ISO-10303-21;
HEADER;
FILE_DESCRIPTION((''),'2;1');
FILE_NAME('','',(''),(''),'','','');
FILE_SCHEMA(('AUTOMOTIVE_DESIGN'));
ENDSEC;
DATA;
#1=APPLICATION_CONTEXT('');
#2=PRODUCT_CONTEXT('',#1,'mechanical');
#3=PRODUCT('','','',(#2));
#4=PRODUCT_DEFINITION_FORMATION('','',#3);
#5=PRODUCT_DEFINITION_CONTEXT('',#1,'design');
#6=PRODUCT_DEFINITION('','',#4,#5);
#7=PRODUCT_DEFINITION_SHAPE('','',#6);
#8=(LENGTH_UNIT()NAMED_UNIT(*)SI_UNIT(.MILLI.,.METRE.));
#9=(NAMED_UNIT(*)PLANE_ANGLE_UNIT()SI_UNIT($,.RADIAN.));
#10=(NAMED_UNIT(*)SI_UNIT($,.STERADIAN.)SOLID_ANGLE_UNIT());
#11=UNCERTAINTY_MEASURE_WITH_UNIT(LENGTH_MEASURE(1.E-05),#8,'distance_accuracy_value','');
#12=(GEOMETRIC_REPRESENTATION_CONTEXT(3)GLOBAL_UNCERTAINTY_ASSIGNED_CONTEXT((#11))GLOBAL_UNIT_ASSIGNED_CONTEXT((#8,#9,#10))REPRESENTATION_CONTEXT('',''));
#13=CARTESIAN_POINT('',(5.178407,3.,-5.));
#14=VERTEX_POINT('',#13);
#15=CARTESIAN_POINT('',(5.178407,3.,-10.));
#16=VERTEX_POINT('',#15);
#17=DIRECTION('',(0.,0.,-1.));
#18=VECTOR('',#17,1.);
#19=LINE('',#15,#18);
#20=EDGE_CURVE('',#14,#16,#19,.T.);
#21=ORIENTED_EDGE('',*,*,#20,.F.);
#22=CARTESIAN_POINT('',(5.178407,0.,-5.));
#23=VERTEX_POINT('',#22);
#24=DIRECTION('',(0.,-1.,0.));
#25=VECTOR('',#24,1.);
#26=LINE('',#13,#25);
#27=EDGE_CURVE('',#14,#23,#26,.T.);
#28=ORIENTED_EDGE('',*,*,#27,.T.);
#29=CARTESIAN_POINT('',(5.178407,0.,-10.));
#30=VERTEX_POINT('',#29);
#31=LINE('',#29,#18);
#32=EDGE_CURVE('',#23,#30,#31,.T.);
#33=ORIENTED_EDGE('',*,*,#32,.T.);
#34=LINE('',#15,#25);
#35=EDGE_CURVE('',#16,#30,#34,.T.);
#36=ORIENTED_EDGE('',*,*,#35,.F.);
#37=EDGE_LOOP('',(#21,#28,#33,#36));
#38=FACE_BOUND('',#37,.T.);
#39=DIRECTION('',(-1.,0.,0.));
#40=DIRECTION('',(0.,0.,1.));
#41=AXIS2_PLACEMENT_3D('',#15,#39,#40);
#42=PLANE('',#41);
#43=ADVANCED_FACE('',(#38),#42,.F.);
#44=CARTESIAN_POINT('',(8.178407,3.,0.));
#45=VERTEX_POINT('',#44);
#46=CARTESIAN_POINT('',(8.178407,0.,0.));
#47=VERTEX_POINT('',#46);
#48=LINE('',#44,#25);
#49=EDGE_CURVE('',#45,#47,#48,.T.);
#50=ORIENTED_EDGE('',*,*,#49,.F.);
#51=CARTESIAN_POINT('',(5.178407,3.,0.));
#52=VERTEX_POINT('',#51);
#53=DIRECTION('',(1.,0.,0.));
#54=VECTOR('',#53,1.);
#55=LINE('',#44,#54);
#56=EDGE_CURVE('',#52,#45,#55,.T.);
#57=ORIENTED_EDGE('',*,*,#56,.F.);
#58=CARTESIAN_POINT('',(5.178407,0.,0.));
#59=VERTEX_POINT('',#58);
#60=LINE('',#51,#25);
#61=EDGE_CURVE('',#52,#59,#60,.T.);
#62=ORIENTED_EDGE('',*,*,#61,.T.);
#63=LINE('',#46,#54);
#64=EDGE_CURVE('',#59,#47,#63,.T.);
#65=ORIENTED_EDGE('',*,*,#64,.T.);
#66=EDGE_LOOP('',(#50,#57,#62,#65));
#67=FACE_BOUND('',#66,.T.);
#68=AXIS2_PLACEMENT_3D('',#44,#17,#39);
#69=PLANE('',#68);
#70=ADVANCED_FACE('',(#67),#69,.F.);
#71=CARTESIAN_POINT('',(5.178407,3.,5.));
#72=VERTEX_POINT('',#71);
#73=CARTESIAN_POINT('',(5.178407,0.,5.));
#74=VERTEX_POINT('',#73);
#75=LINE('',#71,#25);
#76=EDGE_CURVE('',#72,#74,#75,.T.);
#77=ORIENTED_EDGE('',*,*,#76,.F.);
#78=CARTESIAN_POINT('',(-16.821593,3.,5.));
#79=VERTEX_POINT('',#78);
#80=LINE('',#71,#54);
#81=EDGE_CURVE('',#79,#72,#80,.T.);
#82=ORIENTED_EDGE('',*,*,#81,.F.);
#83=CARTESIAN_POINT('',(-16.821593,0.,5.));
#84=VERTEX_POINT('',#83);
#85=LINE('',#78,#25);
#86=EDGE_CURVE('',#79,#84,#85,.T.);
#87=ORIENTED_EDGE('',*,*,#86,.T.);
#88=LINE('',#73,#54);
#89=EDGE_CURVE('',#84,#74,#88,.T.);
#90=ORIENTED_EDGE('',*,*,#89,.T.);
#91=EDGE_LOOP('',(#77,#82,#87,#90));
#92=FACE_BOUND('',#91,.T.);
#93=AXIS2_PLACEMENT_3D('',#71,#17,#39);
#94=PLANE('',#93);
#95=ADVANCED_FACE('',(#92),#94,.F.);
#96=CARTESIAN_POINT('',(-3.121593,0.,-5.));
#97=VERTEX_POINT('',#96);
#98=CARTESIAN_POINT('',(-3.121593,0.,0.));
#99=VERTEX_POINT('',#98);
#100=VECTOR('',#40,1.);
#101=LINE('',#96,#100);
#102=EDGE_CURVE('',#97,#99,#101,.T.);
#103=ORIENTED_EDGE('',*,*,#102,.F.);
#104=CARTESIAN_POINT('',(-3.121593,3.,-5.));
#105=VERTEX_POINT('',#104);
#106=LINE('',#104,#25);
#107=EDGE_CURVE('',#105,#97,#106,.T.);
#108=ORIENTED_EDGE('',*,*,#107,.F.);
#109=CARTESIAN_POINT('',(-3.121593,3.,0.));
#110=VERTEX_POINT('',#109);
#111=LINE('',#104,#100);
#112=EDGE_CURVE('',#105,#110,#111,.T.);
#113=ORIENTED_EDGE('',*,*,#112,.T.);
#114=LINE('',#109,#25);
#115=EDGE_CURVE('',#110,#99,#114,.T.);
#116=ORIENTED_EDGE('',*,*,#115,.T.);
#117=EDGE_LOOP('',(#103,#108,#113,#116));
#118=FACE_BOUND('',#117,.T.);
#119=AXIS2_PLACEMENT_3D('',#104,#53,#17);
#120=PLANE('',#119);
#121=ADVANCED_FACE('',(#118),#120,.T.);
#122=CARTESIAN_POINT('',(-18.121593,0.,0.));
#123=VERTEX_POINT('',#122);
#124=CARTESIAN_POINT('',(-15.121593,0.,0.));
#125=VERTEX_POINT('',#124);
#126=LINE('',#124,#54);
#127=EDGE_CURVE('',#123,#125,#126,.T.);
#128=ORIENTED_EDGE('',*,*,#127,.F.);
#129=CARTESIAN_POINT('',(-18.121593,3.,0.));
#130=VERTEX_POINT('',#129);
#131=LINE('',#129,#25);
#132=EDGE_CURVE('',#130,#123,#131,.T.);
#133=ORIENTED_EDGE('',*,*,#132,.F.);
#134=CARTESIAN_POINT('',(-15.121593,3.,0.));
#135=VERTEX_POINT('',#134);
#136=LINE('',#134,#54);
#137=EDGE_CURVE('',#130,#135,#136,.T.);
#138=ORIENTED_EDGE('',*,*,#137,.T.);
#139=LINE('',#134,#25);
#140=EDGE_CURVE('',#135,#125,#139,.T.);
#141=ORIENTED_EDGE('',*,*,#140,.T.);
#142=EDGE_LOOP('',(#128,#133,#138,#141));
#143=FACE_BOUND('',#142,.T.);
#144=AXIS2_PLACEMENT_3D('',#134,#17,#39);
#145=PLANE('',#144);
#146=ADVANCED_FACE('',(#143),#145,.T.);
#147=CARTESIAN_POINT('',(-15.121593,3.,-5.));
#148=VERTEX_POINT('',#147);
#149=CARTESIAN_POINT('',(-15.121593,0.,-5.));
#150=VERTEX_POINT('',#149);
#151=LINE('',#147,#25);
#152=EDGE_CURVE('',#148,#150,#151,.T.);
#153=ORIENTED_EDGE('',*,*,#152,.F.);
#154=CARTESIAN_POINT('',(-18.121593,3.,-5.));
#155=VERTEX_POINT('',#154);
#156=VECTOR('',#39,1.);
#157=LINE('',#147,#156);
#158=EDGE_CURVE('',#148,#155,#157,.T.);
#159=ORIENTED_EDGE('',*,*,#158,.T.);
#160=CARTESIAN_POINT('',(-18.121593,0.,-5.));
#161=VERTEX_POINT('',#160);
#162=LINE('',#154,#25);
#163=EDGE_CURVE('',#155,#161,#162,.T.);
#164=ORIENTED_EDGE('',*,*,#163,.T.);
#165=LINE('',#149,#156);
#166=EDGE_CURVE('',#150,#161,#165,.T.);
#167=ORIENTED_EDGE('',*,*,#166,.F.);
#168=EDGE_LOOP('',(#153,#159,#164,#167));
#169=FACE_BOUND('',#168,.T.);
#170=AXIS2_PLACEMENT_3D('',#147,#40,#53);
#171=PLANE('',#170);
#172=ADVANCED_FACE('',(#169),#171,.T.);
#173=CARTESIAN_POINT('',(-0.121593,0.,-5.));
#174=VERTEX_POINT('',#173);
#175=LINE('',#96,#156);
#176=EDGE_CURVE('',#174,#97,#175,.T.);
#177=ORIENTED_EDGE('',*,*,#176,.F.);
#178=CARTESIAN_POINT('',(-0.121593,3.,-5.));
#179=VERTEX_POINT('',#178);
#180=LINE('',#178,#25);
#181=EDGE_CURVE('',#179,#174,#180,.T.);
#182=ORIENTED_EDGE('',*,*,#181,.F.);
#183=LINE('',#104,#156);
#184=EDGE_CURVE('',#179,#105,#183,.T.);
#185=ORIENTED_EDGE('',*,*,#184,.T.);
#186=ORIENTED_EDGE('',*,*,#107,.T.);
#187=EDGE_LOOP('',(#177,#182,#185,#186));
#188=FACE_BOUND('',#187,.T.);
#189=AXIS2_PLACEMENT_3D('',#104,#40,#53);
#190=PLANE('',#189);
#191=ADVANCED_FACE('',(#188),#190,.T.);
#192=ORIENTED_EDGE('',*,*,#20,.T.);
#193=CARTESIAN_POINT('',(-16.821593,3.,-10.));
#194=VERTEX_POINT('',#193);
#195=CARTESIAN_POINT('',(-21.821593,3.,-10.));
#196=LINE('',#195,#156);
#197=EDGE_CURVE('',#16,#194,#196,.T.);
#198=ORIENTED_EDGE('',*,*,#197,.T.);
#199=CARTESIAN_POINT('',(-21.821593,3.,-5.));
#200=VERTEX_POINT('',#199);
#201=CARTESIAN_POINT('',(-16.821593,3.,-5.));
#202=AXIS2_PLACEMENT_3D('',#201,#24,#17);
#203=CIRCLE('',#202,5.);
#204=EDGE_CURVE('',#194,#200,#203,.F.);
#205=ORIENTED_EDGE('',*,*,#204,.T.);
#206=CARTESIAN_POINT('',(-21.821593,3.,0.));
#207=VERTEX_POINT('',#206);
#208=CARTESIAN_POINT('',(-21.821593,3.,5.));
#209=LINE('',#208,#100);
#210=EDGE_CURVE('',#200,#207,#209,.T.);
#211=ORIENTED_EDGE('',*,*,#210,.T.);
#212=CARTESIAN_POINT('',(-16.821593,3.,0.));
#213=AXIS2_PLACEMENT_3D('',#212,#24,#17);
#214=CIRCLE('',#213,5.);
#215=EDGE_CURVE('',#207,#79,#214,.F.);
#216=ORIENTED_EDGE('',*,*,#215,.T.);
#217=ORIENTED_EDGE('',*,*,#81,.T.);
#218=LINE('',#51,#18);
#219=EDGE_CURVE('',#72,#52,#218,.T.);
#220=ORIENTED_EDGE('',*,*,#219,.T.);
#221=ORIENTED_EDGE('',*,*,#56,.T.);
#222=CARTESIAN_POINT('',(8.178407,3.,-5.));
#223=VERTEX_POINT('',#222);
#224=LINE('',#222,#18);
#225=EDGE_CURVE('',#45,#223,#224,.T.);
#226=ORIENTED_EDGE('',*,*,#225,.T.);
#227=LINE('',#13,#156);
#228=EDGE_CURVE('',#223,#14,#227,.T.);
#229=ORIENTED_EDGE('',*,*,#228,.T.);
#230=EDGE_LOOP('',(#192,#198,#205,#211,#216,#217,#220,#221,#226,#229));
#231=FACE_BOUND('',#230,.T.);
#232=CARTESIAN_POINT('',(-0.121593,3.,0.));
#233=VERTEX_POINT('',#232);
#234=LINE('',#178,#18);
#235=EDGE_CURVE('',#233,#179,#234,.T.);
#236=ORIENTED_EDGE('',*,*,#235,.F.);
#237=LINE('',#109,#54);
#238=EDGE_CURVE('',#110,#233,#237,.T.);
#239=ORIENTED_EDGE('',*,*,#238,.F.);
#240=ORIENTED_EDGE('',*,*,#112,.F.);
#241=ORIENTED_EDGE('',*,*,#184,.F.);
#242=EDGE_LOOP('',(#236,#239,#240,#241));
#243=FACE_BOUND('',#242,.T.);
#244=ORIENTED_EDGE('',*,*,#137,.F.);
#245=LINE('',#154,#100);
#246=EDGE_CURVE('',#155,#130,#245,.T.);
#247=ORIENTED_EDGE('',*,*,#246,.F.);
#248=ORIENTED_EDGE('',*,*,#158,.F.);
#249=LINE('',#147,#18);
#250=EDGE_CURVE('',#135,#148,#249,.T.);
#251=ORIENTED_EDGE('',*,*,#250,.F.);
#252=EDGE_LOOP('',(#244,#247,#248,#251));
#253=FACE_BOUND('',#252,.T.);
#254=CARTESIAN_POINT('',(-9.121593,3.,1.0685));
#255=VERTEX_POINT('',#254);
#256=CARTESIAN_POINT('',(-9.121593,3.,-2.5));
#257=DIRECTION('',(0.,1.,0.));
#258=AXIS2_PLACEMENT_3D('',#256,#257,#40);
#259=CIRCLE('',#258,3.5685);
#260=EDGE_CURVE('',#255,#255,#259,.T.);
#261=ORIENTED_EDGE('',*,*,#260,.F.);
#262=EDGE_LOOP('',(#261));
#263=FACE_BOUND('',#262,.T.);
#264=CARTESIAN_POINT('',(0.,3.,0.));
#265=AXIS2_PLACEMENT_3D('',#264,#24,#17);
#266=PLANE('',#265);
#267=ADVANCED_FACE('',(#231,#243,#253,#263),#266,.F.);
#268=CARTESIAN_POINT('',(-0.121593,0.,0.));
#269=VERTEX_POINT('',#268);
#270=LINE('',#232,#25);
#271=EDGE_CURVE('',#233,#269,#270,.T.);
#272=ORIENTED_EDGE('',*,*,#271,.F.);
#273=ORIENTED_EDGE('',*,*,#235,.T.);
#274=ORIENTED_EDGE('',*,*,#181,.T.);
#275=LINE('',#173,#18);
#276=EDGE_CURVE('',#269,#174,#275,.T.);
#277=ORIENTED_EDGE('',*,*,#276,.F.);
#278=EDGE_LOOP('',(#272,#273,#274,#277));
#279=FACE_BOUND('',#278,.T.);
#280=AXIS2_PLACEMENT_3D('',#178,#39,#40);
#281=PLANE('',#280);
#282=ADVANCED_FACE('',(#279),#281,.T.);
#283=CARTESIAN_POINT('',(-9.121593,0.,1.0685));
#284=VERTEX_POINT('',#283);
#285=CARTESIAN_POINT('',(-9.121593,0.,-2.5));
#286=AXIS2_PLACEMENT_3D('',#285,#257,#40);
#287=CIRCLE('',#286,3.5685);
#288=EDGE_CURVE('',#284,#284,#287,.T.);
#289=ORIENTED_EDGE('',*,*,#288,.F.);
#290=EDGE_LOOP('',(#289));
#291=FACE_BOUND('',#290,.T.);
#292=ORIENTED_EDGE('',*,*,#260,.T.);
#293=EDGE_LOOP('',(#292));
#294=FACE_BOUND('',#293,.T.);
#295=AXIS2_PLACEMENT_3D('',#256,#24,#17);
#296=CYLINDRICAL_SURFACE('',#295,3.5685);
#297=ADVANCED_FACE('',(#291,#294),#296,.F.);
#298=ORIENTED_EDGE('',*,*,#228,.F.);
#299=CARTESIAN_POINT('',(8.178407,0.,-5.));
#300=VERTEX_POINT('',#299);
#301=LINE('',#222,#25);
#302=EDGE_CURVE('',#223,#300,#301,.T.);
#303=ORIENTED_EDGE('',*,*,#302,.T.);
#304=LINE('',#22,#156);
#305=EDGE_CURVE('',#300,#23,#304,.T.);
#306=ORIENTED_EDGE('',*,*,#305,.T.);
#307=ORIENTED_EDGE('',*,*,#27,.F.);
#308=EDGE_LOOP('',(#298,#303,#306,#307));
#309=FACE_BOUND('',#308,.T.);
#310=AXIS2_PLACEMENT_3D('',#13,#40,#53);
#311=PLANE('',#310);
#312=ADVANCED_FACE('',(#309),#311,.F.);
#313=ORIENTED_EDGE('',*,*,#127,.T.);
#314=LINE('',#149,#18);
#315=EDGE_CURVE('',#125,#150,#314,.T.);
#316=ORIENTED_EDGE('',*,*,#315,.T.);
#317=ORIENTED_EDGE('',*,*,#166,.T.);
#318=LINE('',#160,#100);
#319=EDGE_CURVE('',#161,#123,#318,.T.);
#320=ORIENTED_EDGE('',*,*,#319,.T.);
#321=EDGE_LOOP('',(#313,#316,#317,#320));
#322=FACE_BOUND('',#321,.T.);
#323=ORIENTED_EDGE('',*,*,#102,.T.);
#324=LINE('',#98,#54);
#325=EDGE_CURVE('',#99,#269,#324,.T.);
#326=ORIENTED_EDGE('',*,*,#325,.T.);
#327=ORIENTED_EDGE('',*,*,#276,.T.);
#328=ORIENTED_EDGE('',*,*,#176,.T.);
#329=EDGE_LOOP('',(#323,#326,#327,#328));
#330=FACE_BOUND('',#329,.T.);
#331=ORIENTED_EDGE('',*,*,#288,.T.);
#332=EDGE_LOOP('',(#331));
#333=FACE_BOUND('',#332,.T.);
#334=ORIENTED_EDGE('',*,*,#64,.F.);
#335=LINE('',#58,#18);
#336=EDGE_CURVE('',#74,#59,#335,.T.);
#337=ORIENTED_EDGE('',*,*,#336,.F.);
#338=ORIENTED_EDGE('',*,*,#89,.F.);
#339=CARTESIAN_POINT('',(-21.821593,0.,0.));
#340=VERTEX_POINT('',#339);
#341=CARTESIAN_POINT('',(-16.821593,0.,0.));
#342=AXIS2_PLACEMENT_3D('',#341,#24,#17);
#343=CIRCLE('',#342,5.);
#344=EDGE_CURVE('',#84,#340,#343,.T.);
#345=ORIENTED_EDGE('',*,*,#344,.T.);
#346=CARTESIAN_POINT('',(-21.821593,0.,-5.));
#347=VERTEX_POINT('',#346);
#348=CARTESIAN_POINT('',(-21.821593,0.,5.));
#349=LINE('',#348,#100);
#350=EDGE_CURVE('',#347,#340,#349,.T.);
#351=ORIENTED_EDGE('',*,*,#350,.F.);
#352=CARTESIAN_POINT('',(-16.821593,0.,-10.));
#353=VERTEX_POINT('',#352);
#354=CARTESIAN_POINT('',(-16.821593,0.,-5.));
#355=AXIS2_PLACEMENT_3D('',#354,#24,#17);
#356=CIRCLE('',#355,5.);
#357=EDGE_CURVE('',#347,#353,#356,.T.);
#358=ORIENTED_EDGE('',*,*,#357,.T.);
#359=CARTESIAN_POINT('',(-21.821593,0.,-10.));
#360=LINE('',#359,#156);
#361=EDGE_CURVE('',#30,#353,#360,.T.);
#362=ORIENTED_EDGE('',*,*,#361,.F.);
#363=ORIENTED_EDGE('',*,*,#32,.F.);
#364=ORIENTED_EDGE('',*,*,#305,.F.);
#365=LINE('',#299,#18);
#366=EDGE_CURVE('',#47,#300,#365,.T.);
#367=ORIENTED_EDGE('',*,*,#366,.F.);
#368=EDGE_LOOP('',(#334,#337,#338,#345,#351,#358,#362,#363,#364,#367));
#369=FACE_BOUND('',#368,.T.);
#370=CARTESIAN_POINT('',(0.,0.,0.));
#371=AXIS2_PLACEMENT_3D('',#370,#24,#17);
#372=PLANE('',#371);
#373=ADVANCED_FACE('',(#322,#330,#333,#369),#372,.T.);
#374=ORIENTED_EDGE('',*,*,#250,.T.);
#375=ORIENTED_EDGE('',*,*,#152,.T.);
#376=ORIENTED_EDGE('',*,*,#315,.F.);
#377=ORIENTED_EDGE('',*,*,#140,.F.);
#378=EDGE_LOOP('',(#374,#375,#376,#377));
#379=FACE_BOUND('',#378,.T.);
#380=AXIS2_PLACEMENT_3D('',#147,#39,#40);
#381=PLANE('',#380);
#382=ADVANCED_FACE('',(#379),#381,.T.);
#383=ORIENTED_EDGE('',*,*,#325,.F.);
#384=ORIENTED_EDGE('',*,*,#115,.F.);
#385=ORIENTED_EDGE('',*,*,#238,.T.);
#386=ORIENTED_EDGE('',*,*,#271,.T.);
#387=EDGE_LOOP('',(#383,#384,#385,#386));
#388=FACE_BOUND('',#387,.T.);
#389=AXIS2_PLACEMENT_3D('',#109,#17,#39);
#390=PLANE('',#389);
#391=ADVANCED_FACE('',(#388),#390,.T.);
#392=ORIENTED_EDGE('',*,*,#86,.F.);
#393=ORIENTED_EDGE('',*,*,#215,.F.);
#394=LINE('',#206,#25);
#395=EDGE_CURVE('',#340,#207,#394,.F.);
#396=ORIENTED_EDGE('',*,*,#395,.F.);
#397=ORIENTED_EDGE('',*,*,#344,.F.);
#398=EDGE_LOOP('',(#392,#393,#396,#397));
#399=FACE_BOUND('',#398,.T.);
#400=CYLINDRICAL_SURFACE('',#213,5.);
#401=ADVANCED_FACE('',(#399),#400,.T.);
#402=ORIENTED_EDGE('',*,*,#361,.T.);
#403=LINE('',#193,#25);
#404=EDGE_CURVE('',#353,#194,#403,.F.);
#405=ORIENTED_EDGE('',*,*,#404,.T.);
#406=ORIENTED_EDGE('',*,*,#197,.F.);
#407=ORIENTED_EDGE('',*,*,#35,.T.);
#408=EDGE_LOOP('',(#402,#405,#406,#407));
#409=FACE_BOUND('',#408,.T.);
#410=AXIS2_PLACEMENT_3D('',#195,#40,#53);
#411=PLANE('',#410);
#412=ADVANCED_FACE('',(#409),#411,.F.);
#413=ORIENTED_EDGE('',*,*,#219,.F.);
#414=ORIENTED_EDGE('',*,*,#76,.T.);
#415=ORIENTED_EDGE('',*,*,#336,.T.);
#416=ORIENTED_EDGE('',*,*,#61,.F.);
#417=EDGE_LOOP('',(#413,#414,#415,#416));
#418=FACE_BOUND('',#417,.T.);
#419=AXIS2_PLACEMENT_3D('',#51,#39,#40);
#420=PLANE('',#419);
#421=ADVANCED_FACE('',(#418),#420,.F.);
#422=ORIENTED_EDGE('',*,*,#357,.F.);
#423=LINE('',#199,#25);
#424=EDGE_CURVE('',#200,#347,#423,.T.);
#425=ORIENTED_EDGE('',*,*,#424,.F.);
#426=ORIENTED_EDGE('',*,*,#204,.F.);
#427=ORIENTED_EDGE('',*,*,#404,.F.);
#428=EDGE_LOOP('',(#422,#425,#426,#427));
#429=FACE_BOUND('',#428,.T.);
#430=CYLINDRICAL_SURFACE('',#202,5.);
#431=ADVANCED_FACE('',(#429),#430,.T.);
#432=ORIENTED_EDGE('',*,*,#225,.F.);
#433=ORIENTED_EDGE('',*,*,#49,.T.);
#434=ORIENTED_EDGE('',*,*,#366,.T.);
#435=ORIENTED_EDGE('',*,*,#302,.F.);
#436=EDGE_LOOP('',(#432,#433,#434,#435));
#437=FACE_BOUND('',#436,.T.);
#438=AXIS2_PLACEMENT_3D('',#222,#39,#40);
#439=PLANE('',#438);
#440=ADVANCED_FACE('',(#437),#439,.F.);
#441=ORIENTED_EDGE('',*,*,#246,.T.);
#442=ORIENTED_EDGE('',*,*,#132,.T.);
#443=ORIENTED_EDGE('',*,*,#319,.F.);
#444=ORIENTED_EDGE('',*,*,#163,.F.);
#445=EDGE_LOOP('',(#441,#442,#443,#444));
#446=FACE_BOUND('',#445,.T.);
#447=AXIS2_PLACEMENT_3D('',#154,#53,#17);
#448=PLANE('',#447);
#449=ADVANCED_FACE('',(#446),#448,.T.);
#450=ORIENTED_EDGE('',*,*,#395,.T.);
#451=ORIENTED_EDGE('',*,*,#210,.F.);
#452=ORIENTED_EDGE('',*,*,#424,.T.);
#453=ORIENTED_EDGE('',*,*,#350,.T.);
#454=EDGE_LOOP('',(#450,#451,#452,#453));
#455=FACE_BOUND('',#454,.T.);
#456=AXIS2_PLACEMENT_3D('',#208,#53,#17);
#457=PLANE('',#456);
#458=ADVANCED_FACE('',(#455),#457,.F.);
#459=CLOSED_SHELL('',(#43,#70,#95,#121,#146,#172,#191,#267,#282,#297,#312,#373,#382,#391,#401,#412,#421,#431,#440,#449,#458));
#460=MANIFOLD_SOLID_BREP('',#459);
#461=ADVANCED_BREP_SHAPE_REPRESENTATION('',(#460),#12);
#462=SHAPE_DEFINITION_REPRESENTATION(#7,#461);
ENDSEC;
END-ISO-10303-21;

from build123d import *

# Parameters (mm, degrees)
SKETCH1_R           = 3.5685
SKETCH1_W           = 3
SKETCH1_H           = 5
BOSS_EXTRUDE1_DEPTH = 3
FILLET1_R           = 5


with BuildPart() as part:
    # Sketch1 → Boss-Extrude1 (new body)
    with BuildSketch(Plane(origin=(0, 0, 0), x_dir=(1, 0, 0), z_dir=(0, 1, 0))):
        Polygon((-21.821592901, -5), (-21.821592901, 10), (5.178407099, 10), (5.178407099, 5), (8.178407099, 5), (8.178407099, 0), (5.178407099, 0), (5.178407099, -5), align=None)
        with Locations((-9.121592901, 2.5)):
            Circle(SKETCH1_R, mode=Mode.SUBTRACT)
        with Locations((-16.621592901, 2.5)):
            Rectangle(SKETCH1_W, SKETCH1_H, mode=Mode.SUBTRACT)
        with Locations((-1.621592901, 2.5)):
            Rectangle(SKETCH1_W, SKETCH1_H, mode=Mode.SUBTRACT)
    extrude(amount=BOSS_EXTRUDE1_DEPTH)

    # Fillet1
    fillet1_edges = [part.edges().sort_by_distance(p)[0] for p in [
        (-21.821592901, 1.5, 5),
        (-21.821592901, 1.5, -10),
    ]]
    fillet(fillet1_edges, radius=FILLET1_R)


solid = part.part
